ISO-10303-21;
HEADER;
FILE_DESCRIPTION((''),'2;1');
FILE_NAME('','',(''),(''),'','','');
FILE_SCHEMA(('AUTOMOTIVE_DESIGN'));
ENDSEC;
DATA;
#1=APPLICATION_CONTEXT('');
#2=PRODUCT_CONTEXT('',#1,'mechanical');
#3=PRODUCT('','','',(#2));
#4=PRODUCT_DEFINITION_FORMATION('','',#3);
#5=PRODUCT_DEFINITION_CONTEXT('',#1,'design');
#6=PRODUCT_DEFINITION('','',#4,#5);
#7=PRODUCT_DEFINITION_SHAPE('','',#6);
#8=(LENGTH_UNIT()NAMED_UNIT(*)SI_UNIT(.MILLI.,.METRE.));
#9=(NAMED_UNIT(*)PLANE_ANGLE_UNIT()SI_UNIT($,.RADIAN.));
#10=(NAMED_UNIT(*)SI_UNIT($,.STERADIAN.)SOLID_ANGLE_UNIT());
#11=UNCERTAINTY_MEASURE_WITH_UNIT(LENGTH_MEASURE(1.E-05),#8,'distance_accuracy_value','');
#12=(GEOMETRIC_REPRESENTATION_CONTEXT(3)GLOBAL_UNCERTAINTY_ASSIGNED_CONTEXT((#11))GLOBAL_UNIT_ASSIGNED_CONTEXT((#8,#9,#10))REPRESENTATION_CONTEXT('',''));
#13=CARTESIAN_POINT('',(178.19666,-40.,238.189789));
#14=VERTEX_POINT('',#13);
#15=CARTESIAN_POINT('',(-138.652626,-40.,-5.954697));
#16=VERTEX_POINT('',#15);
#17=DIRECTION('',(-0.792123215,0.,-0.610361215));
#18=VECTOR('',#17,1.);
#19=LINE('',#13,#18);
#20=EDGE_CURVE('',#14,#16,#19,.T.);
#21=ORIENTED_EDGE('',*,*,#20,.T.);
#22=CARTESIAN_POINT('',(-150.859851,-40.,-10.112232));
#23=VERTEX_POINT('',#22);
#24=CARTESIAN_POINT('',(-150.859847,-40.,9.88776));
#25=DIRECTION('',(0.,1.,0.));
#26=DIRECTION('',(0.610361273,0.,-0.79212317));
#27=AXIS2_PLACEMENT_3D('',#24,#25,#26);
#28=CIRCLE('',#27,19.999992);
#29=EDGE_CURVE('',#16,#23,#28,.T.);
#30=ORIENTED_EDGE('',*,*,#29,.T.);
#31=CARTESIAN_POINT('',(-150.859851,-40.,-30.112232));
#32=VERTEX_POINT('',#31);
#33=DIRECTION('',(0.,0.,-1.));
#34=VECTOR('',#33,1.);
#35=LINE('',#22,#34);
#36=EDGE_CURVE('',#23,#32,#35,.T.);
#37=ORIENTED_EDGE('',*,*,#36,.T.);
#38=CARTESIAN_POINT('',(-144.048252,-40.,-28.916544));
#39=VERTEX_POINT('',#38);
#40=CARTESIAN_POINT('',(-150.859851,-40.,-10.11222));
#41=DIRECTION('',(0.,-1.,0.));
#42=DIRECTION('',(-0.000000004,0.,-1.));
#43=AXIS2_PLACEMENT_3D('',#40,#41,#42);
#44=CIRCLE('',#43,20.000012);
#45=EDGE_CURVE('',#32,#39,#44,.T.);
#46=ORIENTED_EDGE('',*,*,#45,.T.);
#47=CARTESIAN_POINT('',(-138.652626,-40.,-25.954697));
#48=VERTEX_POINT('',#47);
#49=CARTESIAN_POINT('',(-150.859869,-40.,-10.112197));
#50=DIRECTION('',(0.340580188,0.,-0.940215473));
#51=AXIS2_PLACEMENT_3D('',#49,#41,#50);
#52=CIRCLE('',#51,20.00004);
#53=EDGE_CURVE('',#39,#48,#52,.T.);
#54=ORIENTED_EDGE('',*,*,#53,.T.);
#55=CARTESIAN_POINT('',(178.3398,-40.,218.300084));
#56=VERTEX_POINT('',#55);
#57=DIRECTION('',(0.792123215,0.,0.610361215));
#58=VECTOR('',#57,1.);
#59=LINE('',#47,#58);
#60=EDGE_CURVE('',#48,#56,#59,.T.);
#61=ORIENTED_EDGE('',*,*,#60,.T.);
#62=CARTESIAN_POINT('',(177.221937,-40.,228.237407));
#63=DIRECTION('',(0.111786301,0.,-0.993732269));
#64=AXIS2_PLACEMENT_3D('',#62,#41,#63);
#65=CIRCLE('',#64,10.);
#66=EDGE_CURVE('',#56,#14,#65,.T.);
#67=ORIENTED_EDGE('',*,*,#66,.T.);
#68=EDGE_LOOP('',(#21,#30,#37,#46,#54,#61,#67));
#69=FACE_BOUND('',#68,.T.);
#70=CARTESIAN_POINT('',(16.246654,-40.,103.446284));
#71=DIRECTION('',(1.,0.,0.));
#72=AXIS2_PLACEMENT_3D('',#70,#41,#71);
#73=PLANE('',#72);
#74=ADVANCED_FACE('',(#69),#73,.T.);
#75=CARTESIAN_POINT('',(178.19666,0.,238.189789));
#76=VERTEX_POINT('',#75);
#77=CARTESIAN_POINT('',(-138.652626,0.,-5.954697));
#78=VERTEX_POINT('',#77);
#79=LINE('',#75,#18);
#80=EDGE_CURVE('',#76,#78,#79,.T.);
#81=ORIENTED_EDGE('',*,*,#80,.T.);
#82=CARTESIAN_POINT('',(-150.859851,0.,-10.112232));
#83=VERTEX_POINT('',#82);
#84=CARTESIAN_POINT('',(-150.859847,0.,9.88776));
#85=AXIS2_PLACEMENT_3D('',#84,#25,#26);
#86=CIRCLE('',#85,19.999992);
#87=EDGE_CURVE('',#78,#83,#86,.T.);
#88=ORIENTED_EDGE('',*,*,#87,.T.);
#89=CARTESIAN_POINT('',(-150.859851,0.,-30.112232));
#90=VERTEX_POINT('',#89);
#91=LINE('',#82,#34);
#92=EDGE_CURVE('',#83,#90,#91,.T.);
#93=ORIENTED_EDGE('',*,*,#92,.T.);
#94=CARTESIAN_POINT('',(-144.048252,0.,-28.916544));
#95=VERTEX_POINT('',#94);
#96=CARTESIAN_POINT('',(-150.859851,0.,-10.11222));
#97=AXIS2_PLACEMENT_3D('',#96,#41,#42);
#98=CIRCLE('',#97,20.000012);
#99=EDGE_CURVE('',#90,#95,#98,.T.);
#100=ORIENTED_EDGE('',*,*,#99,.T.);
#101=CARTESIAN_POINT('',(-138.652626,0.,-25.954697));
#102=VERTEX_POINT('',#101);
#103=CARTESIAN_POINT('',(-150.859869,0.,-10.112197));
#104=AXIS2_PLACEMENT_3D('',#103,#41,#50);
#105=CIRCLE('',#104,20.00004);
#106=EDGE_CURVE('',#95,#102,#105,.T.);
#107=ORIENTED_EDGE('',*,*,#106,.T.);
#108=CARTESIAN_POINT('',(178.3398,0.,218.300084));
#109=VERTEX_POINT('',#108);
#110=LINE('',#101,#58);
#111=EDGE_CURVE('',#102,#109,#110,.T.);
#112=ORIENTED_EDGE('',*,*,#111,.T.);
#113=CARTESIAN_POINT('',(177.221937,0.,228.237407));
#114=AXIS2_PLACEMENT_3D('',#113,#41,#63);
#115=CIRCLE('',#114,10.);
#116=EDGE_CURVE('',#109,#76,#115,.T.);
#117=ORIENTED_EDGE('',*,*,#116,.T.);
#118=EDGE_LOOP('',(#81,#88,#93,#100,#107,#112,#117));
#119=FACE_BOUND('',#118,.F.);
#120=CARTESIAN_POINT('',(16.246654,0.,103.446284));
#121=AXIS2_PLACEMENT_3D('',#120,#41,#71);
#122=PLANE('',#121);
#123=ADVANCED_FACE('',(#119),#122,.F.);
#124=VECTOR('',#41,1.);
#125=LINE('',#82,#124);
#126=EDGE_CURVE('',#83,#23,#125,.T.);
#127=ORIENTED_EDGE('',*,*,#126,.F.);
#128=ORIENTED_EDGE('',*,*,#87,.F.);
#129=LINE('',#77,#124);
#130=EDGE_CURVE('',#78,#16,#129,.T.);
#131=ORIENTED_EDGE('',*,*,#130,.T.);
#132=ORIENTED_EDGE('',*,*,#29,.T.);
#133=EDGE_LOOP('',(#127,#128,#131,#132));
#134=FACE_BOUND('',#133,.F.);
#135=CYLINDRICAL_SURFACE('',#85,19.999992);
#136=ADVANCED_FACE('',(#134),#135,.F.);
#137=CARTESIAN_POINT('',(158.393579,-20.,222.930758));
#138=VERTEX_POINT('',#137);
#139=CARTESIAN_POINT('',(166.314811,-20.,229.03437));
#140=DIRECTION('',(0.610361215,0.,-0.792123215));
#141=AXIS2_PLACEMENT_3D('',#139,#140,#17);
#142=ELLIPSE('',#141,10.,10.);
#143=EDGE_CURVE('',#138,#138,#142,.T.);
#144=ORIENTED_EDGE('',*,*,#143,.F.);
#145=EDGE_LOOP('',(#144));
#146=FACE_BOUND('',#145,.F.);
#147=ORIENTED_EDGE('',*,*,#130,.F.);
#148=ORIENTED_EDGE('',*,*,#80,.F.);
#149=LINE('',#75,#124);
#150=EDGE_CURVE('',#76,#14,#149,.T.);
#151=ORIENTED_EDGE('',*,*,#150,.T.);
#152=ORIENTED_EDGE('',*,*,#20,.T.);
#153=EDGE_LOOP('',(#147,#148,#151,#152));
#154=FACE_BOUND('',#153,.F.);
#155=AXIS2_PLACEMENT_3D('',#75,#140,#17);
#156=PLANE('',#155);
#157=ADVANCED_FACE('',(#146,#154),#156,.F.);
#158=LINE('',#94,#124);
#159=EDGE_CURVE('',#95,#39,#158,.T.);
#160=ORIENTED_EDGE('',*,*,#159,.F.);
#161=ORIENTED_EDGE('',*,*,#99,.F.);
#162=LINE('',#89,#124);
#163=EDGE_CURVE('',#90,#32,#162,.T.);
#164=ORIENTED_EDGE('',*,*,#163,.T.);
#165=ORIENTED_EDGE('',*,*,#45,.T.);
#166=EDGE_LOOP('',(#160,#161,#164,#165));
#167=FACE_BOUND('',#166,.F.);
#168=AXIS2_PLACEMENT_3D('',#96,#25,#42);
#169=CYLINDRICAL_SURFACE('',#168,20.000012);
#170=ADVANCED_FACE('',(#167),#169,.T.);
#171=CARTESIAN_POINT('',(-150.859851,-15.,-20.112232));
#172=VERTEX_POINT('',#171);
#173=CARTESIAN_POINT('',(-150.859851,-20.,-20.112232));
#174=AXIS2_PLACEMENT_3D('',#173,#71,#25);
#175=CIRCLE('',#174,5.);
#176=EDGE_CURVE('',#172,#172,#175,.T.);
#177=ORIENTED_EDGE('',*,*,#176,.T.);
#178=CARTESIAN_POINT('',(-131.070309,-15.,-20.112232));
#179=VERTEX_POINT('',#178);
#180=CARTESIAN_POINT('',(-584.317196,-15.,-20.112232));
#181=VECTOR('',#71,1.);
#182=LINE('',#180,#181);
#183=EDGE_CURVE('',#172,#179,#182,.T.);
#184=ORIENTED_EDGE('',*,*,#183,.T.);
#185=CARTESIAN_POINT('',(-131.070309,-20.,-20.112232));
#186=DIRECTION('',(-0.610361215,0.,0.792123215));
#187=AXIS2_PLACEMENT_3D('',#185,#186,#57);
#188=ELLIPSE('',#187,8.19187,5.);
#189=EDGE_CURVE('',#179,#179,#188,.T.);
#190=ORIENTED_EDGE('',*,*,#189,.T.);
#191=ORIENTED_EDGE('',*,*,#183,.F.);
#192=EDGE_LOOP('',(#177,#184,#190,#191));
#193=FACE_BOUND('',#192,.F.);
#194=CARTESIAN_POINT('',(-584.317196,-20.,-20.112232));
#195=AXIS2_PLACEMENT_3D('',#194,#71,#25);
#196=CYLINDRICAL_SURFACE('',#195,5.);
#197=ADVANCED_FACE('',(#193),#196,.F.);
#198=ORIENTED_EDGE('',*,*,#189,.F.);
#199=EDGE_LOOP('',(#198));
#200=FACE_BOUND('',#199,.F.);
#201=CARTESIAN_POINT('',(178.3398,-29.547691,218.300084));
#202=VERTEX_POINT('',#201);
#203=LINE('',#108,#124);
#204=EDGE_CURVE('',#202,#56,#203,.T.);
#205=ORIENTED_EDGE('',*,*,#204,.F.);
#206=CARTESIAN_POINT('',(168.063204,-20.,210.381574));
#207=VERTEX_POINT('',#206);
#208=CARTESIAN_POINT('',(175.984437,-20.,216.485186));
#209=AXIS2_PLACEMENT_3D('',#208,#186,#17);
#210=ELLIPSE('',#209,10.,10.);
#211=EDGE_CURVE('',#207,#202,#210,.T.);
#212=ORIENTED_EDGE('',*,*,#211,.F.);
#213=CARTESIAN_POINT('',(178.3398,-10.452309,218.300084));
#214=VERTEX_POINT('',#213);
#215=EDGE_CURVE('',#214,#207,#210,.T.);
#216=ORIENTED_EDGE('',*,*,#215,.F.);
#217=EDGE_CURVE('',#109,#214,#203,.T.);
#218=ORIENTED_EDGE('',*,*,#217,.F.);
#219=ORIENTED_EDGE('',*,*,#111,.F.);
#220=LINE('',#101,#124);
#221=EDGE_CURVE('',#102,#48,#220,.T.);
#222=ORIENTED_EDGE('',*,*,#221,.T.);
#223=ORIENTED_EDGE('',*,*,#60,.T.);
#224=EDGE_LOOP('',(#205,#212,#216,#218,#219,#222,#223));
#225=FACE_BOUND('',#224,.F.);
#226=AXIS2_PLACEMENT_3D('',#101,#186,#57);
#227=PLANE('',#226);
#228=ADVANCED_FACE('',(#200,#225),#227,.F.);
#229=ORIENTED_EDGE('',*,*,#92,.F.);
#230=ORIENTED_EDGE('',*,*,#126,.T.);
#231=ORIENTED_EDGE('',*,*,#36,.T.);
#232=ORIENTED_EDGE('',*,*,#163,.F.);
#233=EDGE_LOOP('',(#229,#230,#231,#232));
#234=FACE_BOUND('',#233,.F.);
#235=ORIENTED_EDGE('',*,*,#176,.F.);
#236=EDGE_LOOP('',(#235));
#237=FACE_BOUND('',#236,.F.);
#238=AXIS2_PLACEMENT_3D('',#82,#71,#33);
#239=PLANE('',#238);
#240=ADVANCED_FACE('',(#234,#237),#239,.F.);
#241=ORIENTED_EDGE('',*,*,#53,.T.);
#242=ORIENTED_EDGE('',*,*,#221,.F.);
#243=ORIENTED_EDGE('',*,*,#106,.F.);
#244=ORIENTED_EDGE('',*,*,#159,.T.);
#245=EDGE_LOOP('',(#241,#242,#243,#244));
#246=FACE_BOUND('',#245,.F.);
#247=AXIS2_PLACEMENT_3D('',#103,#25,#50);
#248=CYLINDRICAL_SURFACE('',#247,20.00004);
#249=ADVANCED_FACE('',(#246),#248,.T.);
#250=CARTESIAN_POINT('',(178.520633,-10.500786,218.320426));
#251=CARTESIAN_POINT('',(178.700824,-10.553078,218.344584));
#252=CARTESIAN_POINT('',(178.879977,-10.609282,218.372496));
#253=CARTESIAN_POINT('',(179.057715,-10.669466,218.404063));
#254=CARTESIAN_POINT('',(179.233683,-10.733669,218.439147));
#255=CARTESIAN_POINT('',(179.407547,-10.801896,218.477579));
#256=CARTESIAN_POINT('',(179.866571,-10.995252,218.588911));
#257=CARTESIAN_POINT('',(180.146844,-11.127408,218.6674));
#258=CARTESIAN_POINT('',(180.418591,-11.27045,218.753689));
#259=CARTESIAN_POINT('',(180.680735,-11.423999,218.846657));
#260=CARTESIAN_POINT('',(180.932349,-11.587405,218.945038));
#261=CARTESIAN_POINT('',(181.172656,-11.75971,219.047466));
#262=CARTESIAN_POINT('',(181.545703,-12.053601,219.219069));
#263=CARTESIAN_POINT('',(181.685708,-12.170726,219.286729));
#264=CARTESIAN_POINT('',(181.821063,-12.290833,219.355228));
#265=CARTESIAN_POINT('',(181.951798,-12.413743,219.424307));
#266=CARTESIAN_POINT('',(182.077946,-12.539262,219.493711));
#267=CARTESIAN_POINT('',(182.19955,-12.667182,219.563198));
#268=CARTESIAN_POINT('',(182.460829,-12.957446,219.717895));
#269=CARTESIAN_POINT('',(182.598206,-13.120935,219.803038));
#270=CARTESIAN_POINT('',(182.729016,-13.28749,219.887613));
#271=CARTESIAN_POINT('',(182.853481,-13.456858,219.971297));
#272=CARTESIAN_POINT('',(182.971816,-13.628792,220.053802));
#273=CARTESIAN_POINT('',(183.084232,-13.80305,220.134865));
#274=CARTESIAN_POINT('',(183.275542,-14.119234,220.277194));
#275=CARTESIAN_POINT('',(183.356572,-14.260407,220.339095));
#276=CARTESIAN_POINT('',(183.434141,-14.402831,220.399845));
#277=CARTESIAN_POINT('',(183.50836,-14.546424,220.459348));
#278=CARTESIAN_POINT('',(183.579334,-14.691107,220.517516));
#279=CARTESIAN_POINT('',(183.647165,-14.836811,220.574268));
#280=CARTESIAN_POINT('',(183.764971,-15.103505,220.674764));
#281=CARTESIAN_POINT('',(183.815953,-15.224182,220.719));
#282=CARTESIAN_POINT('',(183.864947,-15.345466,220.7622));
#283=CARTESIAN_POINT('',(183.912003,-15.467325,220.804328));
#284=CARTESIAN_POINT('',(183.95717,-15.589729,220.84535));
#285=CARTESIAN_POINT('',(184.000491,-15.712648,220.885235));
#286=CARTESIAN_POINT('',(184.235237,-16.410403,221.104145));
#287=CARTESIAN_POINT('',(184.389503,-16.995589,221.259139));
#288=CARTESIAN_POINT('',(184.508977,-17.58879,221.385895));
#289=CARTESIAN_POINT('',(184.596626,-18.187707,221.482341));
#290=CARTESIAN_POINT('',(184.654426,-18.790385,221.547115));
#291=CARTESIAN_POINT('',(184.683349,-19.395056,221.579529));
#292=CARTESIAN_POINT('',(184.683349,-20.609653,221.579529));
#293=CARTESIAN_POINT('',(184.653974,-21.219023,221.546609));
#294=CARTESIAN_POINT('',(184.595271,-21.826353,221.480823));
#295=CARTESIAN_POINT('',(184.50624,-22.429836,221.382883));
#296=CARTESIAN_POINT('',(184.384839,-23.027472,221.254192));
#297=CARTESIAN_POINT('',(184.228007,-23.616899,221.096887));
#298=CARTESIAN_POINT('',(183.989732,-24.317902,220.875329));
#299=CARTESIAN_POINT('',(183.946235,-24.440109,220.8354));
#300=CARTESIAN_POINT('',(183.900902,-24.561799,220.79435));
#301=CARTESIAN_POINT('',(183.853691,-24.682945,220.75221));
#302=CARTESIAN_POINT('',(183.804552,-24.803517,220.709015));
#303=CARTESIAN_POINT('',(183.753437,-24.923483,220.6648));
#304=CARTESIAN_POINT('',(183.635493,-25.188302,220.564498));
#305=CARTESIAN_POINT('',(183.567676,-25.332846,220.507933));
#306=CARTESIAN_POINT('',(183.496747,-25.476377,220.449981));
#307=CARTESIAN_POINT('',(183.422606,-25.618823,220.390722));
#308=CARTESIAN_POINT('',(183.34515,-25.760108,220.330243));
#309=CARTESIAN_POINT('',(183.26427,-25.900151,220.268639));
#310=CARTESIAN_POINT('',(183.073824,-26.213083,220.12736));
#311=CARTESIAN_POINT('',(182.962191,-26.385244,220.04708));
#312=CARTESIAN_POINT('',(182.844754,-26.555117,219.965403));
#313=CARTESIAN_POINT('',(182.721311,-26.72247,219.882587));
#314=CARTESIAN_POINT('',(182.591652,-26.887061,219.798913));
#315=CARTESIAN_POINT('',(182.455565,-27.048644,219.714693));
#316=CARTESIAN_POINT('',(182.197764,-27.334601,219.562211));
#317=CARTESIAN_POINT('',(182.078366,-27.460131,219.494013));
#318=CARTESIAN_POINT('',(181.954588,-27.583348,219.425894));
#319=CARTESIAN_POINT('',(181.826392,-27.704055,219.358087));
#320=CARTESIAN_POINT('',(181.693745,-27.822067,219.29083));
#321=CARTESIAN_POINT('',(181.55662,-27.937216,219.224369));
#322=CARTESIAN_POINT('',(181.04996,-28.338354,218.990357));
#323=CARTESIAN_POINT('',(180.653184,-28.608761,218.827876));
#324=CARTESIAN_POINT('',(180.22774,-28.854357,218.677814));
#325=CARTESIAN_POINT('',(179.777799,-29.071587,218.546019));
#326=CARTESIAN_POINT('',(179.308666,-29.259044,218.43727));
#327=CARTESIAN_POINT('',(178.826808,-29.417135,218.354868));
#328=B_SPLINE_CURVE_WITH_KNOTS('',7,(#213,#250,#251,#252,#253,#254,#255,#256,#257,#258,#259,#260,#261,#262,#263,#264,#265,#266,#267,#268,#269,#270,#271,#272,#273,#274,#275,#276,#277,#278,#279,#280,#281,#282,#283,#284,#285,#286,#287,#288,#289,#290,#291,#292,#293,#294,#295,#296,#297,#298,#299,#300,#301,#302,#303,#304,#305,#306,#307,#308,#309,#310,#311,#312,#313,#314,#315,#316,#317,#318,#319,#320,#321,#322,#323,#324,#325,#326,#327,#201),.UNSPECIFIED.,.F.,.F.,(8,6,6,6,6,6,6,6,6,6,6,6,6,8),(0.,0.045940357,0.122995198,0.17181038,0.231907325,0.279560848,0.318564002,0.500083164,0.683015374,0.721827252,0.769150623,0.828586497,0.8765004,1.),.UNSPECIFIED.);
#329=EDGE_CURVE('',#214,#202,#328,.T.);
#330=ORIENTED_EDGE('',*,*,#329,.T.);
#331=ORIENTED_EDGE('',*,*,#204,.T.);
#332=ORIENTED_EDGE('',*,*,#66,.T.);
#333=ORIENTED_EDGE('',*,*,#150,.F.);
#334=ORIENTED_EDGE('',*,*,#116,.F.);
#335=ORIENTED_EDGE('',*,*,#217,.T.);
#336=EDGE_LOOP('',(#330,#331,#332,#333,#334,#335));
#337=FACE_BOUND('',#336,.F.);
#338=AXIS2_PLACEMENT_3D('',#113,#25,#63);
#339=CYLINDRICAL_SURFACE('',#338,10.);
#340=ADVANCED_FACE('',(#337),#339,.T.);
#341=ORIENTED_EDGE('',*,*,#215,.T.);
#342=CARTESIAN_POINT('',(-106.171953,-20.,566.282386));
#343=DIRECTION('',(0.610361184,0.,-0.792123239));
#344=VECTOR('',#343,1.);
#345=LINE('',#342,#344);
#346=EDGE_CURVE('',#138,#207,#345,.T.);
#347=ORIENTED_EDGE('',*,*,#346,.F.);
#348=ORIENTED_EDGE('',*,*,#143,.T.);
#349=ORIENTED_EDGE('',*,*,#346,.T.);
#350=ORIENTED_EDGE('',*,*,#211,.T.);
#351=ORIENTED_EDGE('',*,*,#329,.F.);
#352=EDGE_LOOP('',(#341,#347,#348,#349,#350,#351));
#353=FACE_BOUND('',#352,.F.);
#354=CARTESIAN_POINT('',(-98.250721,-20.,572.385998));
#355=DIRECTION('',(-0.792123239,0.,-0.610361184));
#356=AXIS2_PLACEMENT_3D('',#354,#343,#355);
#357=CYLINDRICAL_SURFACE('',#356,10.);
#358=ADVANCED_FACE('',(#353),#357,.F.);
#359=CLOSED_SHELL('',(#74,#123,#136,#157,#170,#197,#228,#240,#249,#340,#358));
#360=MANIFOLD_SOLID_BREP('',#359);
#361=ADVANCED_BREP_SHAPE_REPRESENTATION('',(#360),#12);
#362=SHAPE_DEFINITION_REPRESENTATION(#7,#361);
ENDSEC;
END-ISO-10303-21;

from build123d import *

# Parameters (mm, degrees)
F1_DEPTH = 40
F3_D     = 10
F5_D     = 20


with BuildPart() as f1:
    # F0 (on Front) → F1 (new body)
    with BuildSketch(Plane.XZ):
        with BuildLine():
            ThreePointArc((-138.652626, -5.954697), (-144.411955, -9.044339), (-150.859851, -10.112232))
            Line((-150.859851, -10.112232), (-150.859851, -30.112232))
            ThreePointArc((-150.859851, -30.112232), (-147.401977, -29.811042), (-144.048252, -28.916544))
            ThreePointArc((-144.048252, -28.916544), (-141.235816, -27.64443), (-138.652626, -25.954697))
            Line((-138.652626, -25.954697), (178.3398, 218.300084))
            ThreePointArc((178.3398, 218.300084), (187.221678, 228.309372), (178.19666, 238.189789))
            Line((178.19666, 238.189789), (-138.652626, -5.954697))
        make_face()
    extrude(amount=F1_DEPTH)

    # F3 (through all)
    with Locations(Plane(origin=(-150.859851, 0, 0), x_dir=(0, -1, 0), z_dir=(-1, 0, 0))):
        with Locations((20, -20.112232)):
            Hole(F3_D / 2)

    # F5 (through all)
    with Locations(Plane(origin=(-48.774778, 0, 63.299621), x_dir=(0.792123, 0, 0.610361), z_dir=(-0.610361, 0, 0.792123))):
        with Locations((271.53552, -20)):
            Hole(F5_D / 2)


solid = f1.part
